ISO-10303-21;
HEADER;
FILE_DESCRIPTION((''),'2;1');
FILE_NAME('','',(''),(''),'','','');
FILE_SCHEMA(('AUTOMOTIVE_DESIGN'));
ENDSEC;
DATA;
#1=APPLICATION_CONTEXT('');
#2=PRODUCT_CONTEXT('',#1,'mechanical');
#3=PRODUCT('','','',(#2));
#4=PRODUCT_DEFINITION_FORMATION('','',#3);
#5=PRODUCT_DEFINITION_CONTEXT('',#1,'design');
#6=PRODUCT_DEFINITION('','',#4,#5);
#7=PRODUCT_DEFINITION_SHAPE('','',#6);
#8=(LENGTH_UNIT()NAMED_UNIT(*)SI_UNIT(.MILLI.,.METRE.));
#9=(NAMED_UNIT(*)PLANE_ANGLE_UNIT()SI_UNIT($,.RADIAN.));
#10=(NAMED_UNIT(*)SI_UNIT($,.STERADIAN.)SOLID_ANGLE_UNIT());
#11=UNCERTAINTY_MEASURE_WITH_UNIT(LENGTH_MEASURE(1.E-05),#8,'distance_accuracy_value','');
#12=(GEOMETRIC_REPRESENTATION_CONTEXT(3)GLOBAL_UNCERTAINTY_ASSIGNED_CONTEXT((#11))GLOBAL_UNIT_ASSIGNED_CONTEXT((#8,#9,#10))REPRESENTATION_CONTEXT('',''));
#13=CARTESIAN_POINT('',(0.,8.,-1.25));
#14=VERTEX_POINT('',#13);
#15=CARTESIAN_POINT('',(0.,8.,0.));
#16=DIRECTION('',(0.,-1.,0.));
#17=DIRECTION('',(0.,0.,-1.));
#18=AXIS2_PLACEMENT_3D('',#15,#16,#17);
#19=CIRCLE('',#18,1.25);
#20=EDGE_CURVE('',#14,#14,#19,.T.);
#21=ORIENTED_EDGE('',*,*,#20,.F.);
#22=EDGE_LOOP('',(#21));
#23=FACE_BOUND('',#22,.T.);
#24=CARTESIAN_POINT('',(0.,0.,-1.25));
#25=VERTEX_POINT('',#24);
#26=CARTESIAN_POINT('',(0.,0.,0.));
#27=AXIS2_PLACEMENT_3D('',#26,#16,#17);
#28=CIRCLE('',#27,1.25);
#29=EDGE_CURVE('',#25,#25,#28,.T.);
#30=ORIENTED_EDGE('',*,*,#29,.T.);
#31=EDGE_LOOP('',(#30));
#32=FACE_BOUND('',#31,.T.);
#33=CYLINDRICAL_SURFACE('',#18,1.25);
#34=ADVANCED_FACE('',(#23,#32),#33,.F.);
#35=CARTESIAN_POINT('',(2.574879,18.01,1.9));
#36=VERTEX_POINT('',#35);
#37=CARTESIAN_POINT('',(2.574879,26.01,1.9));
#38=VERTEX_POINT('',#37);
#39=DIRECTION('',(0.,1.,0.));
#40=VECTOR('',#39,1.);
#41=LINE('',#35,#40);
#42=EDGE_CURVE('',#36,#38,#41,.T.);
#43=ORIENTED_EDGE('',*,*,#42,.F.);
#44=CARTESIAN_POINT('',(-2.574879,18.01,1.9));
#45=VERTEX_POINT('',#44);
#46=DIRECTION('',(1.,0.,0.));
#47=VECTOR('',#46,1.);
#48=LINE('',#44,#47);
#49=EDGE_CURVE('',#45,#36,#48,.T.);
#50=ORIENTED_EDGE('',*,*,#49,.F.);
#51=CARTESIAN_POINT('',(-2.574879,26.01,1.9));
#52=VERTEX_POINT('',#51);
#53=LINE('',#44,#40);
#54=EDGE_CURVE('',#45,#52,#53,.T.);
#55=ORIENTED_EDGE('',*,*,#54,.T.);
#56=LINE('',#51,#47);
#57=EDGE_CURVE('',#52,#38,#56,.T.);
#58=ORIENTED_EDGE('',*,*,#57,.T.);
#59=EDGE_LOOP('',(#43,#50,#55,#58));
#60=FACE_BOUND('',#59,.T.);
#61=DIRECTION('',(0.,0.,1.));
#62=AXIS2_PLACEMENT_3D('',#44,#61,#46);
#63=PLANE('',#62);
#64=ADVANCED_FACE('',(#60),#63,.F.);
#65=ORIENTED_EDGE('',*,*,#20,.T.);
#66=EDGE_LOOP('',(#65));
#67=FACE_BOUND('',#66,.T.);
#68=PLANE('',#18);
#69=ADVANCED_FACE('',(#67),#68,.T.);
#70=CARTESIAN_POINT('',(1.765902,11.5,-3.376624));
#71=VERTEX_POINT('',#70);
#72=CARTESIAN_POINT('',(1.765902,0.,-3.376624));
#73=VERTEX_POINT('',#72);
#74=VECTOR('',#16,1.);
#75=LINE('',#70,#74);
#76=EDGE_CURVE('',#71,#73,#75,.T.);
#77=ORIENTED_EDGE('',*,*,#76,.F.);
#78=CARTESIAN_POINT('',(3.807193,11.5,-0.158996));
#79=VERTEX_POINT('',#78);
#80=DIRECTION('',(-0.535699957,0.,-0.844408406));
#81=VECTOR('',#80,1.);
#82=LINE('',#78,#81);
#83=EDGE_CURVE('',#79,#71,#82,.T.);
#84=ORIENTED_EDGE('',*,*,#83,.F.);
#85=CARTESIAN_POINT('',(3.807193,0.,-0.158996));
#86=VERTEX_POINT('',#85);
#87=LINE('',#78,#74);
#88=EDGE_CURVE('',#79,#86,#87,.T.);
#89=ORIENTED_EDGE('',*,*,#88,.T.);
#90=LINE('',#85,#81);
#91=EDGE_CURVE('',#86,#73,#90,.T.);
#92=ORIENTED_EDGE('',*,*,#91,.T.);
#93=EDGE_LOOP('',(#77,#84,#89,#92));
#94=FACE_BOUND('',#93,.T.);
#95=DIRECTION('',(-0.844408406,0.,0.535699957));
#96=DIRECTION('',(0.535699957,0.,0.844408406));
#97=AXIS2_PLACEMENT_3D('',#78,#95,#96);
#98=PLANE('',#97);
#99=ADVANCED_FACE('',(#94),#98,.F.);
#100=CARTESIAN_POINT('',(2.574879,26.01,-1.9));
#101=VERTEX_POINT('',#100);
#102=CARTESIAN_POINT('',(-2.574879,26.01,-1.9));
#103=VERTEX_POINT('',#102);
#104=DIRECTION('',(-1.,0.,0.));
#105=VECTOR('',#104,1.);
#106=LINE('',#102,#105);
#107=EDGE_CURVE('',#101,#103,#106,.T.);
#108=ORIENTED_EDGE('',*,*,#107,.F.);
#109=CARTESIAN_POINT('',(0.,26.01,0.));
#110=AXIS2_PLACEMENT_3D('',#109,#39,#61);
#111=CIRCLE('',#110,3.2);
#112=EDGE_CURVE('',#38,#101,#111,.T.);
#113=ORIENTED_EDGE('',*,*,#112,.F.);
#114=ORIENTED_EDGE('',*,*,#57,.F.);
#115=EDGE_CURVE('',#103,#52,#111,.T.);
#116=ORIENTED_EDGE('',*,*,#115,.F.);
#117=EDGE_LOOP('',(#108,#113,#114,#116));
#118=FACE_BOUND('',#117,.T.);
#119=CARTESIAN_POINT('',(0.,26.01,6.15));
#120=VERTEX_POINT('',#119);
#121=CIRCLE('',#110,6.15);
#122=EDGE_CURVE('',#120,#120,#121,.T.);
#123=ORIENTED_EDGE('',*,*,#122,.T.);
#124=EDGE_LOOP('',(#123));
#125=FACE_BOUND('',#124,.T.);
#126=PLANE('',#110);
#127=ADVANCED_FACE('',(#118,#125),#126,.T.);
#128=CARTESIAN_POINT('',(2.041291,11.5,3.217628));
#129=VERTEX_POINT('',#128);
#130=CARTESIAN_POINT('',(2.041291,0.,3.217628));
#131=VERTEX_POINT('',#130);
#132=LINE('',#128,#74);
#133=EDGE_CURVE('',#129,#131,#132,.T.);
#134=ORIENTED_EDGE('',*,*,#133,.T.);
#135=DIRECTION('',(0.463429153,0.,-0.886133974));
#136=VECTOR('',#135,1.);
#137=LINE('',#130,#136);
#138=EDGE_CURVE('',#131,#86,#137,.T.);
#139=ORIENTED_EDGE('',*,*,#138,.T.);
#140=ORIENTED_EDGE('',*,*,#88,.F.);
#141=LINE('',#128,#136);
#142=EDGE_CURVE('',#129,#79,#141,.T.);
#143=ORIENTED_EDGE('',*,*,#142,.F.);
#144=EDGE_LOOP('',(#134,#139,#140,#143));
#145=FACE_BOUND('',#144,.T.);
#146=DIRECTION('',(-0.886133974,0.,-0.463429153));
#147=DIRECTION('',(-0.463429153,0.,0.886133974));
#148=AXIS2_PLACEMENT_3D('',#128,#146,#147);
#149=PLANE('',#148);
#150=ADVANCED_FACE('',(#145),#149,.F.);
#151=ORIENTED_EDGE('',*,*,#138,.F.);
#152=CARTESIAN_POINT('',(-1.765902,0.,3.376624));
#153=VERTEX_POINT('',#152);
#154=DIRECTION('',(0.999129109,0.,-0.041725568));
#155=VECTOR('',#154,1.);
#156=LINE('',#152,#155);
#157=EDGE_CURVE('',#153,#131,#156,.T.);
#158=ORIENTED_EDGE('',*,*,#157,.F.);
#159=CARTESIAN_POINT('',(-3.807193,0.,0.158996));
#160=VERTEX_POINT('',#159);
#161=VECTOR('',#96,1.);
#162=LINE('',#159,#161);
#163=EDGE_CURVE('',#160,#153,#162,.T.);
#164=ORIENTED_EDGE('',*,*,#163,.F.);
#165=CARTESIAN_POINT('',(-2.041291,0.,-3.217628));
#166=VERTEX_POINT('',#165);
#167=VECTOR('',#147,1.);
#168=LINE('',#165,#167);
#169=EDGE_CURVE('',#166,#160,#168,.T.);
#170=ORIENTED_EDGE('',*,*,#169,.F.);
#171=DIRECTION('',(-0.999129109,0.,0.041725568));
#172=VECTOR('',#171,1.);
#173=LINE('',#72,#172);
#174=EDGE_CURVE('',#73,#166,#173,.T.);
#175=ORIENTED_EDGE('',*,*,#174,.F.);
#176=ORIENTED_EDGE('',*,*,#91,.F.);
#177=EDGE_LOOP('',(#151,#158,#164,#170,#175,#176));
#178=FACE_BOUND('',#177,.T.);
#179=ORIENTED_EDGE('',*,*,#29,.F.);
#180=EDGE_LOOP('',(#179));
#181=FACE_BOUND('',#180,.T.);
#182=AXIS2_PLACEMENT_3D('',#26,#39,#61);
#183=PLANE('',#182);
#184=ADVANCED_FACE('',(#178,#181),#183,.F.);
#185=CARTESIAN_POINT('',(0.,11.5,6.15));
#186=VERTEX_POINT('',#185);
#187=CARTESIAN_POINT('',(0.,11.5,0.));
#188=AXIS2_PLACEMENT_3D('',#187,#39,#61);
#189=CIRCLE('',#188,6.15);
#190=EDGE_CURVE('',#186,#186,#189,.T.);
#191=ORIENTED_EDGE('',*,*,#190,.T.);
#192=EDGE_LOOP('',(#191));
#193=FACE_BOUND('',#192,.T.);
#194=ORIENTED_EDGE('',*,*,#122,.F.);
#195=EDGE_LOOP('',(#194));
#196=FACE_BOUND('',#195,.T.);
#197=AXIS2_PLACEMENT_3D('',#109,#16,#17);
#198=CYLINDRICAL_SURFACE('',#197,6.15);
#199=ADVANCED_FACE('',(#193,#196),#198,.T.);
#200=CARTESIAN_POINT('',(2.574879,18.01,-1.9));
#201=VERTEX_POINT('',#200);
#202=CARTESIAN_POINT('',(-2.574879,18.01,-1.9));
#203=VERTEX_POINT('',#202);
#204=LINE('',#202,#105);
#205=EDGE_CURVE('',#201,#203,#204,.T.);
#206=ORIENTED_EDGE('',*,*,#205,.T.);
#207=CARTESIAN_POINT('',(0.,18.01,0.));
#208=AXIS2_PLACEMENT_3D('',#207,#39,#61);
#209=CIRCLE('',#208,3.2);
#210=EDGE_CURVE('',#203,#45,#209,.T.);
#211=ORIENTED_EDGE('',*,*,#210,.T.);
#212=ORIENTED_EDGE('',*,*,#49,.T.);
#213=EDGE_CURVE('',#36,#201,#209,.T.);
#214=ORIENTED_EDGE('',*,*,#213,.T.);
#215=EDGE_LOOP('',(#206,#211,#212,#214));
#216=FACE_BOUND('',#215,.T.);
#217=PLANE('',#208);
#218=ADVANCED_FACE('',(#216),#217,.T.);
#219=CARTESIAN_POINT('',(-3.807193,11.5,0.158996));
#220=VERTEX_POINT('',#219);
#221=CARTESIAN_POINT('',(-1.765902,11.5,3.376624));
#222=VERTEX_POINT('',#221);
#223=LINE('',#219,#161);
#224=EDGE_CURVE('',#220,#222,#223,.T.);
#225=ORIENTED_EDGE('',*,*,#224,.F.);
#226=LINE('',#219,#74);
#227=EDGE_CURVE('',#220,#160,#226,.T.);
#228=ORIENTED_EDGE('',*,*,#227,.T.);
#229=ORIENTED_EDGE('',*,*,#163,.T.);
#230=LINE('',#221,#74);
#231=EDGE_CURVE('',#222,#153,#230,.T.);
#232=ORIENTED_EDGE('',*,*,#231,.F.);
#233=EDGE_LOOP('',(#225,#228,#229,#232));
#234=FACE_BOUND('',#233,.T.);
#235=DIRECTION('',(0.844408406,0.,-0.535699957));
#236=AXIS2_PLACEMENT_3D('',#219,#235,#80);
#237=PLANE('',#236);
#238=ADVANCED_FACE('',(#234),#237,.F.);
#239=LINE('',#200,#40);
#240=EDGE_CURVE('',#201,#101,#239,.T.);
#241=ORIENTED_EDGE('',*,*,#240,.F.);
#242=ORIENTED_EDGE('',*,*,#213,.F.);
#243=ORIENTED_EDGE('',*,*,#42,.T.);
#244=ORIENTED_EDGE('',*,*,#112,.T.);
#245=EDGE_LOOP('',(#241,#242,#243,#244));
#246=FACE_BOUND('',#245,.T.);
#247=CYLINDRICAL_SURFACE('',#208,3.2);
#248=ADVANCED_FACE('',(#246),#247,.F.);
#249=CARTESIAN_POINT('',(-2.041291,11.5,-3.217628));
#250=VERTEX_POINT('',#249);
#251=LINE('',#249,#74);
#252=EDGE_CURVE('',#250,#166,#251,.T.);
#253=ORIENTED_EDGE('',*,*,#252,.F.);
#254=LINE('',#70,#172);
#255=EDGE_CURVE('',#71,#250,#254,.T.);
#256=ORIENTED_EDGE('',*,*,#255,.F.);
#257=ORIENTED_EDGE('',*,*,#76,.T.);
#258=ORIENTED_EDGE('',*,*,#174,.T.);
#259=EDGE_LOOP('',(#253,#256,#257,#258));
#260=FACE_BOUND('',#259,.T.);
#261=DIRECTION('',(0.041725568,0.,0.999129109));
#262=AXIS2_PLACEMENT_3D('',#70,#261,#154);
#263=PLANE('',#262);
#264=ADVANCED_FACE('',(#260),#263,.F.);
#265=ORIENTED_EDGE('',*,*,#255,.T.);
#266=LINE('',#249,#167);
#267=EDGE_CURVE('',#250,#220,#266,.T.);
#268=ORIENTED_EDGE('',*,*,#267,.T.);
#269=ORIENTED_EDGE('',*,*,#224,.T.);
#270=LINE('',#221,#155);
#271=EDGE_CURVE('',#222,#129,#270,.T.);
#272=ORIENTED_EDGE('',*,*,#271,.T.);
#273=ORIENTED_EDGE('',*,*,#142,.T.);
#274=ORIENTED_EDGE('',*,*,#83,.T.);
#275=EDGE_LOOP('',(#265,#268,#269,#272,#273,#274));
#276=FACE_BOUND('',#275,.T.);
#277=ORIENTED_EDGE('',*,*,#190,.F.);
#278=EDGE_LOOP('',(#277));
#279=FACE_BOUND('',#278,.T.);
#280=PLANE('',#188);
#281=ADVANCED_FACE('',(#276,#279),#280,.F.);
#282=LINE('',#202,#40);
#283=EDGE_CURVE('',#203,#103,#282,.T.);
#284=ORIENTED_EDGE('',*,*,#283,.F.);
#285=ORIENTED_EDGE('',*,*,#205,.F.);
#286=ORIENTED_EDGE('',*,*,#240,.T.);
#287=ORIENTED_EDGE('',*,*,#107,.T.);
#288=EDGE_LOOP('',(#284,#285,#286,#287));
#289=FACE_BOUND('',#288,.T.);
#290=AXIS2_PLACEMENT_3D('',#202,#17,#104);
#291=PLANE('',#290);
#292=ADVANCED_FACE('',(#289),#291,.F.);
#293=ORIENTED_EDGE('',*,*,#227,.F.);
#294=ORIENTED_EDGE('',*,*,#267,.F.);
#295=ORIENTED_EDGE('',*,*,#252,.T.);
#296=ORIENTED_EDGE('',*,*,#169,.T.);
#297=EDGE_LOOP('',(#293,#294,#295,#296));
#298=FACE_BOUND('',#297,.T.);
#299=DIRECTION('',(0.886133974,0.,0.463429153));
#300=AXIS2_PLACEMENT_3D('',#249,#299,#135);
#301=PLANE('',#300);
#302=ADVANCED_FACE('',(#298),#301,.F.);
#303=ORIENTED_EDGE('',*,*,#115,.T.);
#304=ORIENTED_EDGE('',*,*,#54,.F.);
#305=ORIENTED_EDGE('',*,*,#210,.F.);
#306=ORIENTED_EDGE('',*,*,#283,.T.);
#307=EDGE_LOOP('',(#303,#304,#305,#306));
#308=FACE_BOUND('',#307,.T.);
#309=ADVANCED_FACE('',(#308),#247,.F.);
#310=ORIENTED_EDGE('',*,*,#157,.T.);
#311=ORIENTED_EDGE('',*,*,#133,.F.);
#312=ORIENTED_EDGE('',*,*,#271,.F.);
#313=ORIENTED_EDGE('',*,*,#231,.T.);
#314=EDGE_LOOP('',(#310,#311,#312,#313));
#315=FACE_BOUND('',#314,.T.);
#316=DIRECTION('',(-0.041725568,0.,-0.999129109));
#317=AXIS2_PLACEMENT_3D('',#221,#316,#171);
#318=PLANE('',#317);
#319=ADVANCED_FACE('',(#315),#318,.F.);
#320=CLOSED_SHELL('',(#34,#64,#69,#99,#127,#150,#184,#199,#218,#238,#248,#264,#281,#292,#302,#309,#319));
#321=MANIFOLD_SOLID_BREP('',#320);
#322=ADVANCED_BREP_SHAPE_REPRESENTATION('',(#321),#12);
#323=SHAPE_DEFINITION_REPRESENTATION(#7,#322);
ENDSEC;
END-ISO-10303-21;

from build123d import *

# Parameters (mm, degrees)
SALIENTE_EXTRUIR1_DEPTH = 11.5
CROQUIS2_R              = 6.15
SALIENTE_EXTRUIR2_DEPTH = 14.51
CROQUIS3_R              = 1.25
CORTAR_EXTRUIR1_DEPTH   = 8
CORTAR_EXTRUIR2_DEPTH   = 8


with BuildPart() as part:
    # Croquis1 → Saliente-Extruir1 (new body)
    with BuildSketch(Plane(origin=(0, 0, 0), x_dir=(1, 0, 0), z_dir=(0, 1, 0))):
        Polygon((2.041290993, -3.217628176), (3.807193237, 0.158995769), (1.765902244, 3.376623945), (-2.041290993, 3.217628176), (-3.807193237, -0.158995769), (-1.765902244, -3.376623945), align=None)
    extrude(amount=SALIENTE_EXTRUIR1_DEPTH)

    # Croquis2 → Saliente-Extruir2 (add)
    with BuildSketch(Plane(origin=(0, 11.5, 0), x_dir=(1, 0, 0), z_dir=(0, 1, 0))):
        with Locations(Location((0, 0, 0), (0, 0, 270))):
            Circle(CROQUIS2_R)
    extrude(amount=SALIENTE_EXTRUIR2_DEPTH)

    # Croquis3 → Cortar-Extruir1 (cut)
    with BuildSketch(Plane.XZ):
        with Locations(Location((0, 0, 0), (0, 0, 270))):
            Circle(CROQUIS3_R)
    extrude(amount=-CORTAR_EXTRUIR1_DEPTH, mode=Mode.SUBTRACT)

    # Croquis4 → Cortar-Extruir2 (cut)
    with BuildSketch(Plane(origin=(0, 26.01, 0), x_dir=(1, 0, 0), z_dir=(0, 1, 0))):
        with BuildLine():
            Line((-2.574878638, 1.9), (2.574878638, 1.9))
            ThreePointArc((2.574878638, 1.9), (3.2, 0), (2.574878638, -1.9))
            Line((2.574878638, -1.9), (-2.574878638, -1.9))
            ThreePointArc((-2.574878638, -1.9), (-3.2, 0), (-2.574878638, 1.9))
        make_face()
    extrude(amount=-CORTAR_EXTRUIR2_DEPTH, mode=Mode.SUBTRACT)


solid = part.part
